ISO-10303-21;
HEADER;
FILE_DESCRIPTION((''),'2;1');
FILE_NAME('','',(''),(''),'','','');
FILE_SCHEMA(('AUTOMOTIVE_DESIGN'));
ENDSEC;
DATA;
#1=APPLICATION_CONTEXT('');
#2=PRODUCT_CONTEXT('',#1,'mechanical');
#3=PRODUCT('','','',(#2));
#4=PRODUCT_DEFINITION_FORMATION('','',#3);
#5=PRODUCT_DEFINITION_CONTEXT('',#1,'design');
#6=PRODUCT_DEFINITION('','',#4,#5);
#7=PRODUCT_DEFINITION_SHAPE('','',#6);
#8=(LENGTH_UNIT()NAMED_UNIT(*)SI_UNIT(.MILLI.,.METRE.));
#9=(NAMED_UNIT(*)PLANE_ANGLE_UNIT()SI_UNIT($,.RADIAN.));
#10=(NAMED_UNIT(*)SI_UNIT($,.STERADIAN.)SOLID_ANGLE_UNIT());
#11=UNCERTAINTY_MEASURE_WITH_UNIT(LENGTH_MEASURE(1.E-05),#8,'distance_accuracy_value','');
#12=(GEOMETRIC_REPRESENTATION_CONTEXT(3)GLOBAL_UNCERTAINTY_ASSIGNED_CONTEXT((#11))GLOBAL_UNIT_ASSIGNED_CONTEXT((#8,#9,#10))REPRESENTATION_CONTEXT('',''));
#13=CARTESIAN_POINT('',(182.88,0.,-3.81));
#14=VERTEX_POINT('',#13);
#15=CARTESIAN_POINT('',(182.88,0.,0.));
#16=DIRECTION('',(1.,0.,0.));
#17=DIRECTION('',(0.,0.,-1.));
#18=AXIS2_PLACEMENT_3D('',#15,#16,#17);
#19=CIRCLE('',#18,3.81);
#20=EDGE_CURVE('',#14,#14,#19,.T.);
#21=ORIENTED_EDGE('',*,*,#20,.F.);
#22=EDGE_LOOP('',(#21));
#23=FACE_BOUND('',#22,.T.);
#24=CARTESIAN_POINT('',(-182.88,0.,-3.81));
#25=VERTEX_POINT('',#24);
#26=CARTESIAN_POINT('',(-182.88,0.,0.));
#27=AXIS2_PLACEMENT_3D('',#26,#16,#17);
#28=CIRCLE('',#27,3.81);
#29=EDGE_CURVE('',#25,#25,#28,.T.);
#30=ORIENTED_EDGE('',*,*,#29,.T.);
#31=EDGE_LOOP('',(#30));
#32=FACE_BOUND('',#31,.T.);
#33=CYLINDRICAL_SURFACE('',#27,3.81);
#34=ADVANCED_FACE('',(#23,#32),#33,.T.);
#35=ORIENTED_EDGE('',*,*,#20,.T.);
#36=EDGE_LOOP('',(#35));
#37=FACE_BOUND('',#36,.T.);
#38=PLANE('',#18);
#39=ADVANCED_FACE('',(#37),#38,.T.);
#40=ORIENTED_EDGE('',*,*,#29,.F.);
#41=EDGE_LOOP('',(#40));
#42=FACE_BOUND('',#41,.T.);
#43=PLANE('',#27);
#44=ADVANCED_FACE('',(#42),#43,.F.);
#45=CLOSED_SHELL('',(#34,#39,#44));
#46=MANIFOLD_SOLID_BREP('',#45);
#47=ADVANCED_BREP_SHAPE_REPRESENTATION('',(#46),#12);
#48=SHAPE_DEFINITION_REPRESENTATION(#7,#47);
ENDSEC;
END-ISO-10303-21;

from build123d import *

# Parameters (mm, degrees)
BOSS_EXTRUDE2_DEPTH      = 182.88
BOSS_EXTRUDE2_DEPTH_BACK = 182.88
SKETCH4_R                = 3.81


with BuildPart() as part:
    # Sketch4 → Boss-Extrude2 (new, two sides: drawn at the far end of the back side and taken through both)
    with BuildSketch(Plane(origin=(0, 0, 0), x_dir=(0, 0, -1), z_dir=(1, 0, 0)).offset(-BOSS_EXTRUDE2_DEPTH_BACK)):
        Circle(SKETCH4_R)
    extrude(amount=BOSS_EXTRUDE2_DEPTH + BOSS_EXTRUDE2_DEPTH_BACK)


solid = part.part
